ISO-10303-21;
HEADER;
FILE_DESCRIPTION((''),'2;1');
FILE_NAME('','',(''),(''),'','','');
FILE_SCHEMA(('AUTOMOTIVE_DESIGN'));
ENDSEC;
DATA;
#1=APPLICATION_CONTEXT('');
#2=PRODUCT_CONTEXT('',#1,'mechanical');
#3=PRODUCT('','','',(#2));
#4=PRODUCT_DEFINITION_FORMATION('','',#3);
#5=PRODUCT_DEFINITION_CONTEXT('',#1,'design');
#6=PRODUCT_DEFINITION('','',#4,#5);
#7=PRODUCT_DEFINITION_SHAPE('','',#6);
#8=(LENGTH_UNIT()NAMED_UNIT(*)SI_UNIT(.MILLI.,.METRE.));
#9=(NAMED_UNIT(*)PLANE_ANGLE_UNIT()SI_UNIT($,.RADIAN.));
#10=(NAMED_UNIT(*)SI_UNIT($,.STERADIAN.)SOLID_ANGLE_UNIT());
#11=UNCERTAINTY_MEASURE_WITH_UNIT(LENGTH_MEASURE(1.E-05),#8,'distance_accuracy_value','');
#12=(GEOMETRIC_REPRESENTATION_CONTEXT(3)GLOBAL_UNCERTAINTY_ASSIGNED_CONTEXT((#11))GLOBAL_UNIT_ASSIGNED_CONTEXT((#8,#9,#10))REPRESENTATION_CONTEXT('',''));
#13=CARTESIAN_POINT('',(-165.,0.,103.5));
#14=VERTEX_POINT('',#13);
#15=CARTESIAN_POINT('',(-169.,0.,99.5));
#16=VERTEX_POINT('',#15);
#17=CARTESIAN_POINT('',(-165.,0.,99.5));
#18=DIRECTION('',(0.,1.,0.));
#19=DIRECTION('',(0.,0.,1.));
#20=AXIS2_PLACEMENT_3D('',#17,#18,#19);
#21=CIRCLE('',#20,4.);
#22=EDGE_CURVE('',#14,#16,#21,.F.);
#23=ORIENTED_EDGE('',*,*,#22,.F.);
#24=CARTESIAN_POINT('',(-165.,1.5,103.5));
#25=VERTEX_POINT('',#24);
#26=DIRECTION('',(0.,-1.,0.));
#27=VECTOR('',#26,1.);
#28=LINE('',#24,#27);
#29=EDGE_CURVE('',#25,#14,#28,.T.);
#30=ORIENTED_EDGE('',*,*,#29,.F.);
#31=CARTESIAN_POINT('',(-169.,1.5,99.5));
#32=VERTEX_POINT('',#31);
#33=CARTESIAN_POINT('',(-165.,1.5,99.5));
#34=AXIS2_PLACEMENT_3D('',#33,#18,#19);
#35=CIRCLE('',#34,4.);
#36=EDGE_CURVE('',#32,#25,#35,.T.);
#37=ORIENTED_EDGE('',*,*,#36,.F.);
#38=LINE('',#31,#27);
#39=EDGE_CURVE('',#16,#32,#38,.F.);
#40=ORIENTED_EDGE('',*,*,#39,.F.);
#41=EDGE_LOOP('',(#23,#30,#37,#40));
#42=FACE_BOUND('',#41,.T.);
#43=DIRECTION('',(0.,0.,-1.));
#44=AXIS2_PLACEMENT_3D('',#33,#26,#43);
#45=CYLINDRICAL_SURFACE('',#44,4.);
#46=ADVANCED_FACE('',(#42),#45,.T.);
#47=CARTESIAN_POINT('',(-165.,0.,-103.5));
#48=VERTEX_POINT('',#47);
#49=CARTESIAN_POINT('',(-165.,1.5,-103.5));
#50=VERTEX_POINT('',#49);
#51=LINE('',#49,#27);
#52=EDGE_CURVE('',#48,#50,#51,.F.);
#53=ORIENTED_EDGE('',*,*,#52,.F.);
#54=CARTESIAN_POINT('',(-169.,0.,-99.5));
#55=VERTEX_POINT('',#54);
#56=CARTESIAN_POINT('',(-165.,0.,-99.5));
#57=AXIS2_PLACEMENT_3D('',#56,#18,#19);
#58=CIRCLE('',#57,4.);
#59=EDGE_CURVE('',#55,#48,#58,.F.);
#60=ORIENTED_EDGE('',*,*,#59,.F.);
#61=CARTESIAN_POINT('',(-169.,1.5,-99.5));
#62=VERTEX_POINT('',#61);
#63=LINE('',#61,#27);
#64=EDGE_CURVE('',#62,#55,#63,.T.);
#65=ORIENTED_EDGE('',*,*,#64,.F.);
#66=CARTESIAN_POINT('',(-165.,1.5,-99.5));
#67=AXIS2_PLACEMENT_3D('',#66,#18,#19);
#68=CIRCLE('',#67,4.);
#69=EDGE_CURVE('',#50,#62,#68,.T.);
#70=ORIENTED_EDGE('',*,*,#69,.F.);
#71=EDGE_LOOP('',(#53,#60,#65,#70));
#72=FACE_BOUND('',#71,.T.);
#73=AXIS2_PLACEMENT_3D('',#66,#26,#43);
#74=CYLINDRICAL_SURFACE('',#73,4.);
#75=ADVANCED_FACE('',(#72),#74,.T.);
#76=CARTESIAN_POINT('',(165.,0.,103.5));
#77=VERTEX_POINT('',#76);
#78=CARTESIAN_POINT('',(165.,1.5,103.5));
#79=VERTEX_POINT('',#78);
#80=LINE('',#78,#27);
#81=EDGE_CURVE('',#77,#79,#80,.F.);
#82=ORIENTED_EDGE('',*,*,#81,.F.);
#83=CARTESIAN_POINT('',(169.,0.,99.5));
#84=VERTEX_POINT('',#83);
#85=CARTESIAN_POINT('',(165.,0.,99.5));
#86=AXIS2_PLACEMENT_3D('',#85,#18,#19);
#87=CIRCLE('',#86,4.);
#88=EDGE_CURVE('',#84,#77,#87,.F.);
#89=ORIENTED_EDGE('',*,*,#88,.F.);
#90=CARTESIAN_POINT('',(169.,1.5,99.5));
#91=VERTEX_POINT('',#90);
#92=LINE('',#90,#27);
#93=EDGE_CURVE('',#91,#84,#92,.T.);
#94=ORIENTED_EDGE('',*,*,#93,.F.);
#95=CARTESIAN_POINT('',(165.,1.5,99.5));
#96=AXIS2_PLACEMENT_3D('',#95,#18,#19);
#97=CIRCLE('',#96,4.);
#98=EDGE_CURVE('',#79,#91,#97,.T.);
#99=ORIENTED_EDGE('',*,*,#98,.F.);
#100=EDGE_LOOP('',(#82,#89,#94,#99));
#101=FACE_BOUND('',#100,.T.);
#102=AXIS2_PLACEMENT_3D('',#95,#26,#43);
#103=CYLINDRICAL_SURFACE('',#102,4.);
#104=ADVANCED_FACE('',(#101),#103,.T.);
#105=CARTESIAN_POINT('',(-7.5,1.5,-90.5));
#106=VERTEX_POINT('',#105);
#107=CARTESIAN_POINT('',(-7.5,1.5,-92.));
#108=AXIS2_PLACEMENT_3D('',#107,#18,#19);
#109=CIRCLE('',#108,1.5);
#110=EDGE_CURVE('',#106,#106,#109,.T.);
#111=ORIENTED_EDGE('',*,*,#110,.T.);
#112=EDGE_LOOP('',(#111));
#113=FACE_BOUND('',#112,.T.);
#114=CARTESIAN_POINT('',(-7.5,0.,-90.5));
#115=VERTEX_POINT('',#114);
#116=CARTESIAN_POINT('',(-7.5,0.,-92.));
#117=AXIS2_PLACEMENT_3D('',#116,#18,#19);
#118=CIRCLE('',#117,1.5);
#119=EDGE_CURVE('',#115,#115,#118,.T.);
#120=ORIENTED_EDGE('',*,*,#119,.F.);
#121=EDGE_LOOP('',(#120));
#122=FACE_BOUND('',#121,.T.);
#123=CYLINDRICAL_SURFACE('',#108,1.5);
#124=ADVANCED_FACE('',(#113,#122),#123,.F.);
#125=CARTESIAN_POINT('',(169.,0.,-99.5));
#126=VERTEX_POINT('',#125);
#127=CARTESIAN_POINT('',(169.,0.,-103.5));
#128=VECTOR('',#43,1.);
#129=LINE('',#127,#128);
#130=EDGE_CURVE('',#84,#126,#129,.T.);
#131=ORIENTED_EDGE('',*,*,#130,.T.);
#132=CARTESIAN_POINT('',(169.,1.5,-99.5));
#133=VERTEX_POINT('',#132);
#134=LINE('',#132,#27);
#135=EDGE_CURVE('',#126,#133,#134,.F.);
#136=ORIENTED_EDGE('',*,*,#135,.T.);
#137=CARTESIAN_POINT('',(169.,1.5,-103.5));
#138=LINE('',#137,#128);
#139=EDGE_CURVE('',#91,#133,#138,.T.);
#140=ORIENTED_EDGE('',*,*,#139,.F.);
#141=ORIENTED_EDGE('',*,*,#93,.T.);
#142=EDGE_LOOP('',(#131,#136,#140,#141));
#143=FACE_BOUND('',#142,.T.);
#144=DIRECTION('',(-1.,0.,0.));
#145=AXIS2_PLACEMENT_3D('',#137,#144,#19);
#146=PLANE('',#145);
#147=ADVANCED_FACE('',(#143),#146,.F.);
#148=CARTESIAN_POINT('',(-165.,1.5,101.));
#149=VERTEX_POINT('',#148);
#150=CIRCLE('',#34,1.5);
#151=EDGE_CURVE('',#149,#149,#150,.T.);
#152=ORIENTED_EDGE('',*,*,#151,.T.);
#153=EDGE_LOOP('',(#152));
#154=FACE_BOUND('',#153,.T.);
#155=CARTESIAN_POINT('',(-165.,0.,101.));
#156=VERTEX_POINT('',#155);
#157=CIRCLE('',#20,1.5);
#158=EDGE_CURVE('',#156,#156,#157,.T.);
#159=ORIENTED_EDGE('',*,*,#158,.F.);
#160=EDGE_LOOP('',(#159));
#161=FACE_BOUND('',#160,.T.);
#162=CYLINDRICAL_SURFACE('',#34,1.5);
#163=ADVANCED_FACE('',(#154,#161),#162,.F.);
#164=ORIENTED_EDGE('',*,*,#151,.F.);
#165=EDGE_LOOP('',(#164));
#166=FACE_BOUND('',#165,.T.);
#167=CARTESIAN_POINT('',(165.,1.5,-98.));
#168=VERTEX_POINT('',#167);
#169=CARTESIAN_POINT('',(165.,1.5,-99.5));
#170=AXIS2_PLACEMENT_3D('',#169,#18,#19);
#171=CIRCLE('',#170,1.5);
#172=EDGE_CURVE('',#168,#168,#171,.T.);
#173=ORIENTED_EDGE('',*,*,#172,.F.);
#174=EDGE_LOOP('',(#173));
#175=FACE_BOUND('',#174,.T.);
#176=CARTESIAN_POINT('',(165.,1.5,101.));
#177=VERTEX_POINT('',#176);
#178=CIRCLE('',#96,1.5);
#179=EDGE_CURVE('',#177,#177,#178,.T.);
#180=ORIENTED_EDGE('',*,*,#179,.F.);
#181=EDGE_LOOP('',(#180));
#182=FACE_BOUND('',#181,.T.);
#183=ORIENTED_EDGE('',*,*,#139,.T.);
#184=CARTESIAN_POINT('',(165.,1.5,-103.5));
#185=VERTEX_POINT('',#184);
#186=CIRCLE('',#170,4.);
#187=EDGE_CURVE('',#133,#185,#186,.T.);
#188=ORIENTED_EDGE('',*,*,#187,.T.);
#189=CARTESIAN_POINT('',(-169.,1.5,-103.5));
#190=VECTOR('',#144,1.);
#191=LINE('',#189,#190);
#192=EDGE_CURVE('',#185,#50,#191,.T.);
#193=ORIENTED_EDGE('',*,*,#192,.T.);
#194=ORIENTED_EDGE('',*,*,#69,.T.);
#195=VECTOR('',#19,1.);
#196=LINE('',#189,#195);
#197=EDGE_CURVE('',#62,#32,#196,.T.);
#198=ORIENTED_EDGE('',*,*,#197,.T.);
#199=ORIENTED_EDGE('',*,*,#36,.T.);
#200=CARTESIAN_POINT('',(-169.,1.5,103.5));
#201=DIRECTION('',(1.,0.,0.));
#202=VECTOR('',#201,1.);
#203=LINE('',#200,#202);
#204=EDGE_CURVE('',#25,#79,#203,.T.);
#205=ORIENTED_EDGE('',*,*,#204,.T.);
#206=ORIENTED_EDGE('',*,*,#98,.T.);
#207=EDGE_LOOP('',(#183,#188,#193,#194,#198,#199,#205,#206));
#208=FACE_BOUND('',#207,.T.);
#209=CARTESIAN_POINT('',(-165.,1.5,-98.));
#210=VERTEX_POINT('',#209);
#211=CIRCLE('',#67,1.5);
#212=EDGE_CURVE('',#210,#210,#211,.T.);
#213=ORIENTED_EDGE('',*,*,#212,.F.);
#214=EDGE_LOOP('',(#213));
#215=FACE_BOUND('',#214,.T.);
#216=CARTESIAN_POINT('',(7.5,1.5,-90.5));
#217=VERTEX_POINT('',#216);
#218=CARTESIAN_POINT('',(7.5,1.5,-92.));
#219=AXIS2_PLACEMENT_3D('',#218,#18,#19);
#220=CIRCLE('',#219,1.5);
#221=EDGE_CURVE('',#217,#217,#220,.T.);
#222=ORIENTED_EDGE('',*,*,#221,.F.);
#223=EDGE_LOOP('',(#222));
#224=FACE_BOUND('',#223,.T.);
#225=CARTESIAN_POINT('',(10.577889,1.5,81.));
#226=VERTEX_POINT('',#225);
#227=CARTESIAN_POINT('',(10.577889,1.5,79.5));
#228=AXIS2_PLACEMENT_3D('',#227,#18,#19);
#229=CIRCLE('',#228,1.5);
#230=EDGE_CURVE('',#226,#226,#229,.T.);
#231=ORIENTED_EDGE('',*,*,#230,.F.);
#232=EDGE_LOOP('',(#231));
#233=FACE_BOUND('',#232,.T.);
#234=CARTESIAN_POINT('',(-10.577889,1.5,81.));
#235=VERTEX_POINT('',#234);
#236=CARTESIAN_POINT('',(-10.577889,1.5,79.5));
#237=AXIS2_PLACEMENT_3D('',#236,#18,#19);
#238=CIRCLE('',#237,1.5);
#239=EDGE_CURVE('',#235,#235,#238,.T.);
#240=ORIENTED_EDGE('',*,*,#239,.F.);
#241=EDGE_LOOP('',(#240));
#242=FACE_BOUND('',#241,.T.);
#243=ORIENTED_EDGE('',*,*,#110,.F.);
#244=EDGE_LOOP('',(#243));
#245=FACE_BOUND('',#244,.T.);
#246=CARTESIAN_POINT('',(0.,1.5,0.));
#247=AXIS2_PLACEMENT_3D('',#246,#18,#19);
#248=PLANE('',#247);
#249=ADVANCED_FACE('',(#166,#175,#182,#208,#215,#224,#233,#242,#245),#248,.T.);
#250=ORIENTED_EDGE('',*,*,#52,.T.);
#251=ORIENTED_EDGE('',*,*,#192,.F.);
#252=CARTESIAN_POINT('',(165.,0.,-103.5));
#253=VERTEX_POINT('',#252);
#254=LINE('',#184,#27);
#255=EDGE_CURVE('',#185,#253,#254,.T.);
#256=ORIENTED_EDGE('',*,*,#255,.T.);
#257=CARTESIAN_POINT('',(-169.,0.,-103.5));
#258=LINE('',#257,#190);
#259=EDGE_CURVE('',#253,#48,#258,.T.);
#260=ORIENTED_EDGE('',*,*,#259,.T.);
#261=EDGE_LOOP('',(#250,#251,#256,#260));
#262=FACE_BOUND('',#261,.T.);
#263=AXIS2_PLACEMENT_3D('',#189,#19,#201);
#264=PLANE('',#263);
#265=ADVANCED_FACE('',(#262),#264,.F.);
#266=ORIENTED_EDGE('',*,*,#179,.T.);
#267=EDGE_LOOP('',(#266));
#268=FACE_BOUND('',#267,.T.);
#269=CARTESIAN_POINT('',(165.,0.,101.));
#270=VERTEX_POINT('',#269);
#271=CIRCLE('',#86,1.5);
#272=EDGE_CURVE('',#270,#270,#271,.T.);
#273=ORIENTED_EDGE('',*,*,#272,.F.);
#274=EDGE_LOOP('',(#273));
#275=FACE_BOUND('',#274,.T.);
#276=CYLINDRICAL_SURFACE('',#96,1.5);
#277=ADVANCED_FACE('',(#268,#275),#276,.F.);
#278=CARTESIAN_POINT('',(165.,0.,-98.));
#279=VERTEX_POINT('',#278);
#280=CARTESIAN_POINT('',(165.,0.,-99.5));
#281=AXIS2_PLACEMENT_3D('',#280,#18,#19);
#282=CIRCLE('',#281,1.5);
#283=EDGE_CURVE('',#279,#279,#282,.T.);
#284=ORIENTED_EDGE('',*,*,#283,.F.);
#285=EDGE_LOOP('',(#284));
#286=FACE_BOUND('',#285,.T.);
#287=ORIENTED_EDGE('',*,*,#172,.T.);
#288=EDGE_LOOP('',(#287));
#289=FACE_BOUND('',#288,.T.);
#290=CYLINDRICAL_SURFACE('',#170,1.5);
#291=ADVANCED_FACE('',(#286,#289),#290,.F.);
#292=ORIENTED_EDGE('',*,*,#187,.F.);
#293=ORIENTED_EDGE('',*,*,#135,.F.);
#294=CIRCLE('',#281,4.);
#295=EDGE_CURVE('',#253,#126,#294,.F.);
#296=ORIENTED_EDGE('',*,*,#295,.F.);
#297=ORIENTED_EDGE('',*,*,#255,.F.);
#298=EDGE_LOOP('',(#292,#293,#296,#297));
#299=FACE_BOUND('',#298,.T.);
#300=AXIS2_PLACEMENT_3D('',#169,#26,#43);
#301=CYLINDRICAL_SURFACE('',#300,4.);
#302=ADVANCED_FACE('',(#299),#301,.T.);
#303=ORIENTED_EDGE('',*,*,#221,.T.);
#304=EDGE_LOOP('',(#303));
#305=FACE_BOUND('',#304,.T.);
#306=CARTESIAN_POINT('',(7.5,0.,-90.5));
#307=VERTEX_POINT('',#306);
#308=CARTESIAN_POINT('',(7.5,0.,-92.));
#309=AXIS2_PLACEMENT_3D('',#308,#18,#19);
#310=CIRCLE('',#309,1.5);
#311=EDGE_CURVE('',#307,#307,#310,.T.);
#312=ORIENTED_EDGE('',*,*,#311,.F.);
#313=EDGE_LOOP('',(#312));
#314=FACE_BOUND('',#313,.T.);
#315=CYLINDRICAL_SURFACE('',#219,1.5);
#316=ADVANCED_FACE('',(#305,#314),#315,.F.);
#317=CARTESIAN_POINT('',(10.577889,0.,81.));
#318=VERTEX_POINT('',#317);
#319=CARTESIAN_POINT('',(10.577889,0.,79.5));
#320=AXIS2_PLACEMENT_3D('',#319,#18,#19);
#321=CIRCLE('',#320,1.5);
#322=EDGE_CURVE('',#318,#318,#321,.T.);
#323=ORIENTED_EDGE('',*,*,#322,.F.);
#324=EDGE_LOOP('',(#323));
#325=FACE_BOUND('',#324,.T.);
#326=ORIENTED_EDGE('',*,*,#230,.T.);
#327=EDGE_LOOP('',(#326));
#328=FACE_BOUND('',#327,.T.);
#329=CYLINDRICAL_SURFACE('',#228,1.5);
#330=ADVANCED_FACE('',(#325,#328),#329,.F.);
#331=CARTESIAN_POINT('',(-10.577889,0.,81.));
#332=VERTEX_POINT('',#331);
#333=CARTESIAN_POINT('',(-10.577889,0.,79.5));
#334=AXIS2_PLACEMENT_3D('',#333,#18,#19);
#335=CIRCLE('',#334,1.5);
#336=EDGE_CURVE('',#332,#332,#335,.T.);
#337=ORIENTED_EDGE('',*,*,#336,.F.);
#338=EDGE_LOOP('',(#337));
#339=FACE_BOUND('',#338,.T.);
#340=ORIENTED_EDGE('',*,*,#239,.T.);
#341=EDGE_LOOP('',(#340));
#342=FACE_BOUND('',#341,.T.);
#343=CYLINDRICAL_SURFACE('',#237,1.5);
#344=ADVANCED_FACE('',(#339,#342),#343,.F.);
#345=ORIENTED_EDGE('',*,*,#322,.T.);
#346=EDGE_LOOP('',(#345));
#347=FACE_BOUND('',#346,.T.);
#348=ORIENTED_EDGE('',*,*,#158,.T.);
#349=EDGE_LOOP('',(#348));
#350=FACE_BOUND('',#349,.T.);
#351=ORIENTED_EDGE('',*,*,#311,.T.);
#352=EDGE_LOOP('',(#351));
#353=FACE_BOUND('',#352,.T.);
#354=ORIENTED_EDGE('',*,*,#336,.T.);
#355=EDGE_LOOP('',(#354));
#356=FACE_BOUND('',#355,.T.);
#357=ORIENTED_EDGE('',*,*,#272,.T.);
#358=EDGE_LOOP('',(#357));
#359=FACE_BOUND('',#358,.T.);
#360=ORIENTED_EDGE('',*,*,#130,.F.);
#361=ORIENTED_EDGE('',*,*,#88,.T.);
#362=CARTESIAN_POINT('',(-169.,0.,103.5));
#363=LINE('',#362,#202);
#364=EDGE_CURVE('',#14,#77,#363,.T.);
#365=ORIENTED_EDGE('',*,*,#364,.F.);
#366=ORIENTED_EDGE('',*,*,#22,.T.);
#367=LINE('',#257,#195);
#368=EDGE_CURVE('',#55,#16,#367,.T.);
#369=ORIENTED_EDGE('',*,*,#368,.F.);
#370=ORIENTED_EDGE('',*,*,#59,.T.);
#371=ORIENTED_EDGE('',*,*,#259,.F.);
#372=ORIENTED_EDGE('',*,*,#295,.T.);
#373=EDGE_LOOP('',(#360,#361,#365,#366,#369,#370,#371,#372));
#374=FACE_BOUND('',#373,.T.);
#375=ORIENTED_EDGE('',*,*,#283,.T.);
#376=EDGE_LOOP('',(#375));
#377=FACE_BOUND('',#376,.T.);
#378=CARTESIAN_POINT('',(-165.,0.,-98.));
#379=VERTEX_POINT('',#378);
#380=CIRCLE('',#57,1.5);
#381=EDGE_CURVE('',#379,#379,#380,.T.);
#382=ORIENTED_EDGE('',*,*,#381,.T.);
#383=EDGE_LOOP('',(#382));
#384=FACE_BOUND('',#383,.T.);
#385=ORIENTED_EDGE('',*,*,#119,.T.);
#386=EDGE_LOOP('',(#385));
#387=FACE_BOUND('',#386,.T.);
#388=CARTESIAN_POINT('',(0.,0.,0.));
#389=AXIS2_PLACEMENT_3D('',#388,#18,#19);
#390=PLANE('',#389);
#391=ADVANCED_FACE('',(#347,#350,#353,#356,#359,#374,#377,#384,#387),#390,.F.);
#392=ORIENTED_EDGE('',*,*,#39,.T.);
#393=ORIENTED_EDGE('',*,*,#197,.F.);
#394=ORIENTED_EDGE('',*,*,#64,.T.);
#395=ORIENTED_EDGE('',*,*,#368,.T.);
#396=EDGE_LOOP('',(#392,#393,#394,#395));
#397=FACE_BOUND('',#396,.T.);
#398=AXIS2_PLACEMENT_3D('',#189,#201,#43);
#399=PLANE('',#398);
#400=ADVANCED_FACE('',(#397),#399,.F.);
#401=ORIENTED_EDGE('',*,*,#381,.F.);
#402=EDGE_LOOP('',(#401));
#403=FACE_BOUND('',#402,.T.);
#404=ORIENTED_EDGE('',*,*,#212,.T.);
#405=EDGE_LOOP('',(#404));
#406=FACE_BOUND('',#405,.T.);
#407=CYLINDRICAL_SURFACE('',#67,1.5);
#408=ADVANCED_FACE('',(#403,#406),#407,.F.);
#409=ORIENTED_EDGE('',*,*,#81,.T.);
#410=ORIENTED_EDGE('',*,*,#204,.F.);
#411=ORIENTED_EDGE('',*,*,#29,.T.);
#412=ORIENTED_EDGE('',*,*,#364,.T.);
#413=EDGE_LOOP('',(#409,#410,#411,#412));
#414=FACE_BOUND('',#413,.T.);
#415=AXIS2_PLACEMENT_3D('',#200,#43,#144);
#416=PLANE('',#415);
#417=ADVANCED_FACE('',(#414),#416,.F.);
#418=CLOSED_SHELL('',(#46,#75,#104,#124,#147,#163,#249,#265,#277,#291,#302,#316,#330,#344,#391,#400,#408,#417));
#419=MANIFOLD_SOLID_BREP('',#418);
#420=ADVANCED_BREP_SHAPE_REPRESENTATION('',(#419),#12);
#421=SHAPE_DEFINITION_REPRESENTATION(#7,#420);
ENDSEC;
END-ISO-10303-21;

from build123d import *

# Parameters (mm, degrees)
SKETCH1_W                 = 338
SKETCH1_H                 = 207
BOSS_EXTRUDE1_DEPTH       = 1.5
FILLET1_R                 = 4
F_3_0MM_DOWEL_HOLE1_D     = 3
F_3_0MM_DOWEL_HOLE1_DEPTH = 17.29
F_3_0MM_DOWEL_HOLE1_TIP   = 0.901290929


with BuildPart() as part:
    # Sketch1 → Boss-Extrude1 (new body)
    with BuildSketch(Plane(origin=(0, 0, 0), x_dir=(1, 0, 0), z_dir=(0, 1, 0))):
        Rectangle(SKETCH1_W, SKETCH1_H)
    extrude(amount=BOSS_EXTRUDE1_DEPTH)

    # Fillet1
    fillet1_edges = [part.edges().sort_by_distance(p)[0] for p in [
        (-169, 0.75, -103.5),
        (169, 0.75, -103.5),
        (169, 0.75, 103.5),
        (-169, 0.75, 103.5),
    ]]
    fillet(fillet1_edges, radius=FILLET1_R)

    # Ø3.0mm Dowel Hole1
    with Locations(Plane(origin=(0, 1.5, 0), x_dir=(1, 0, 0), z_dir=(0, 1, 0))):
        with Locations((-165, -99.5), (-165, 99.5), (165, 99.5), (165, -99.5), (-10.577889447, -79.5), (10.577889447, -79.5), (-7.5, 92), (7.5, 92)):
            Hole(F_3_0MM_DOWEL_HOLE1_D / 2, depth=F_3_0MM_DOWEL_HOLE1_DEPTH)
            with Locations((0, 0, -(F_3_0MM_DOWEL_HOLE1_DEPTH + F_3_0MM_DOWEL_HOLE1_TIP / 2))):  # 118° drill point
                Cone(0, F_3_0MM_DOWEL_HOLE1_D / 2, F_3_0MM_DOWEL_HOLE1_TIP, mode=Mode.SUBTRACT)


solid = part.part
